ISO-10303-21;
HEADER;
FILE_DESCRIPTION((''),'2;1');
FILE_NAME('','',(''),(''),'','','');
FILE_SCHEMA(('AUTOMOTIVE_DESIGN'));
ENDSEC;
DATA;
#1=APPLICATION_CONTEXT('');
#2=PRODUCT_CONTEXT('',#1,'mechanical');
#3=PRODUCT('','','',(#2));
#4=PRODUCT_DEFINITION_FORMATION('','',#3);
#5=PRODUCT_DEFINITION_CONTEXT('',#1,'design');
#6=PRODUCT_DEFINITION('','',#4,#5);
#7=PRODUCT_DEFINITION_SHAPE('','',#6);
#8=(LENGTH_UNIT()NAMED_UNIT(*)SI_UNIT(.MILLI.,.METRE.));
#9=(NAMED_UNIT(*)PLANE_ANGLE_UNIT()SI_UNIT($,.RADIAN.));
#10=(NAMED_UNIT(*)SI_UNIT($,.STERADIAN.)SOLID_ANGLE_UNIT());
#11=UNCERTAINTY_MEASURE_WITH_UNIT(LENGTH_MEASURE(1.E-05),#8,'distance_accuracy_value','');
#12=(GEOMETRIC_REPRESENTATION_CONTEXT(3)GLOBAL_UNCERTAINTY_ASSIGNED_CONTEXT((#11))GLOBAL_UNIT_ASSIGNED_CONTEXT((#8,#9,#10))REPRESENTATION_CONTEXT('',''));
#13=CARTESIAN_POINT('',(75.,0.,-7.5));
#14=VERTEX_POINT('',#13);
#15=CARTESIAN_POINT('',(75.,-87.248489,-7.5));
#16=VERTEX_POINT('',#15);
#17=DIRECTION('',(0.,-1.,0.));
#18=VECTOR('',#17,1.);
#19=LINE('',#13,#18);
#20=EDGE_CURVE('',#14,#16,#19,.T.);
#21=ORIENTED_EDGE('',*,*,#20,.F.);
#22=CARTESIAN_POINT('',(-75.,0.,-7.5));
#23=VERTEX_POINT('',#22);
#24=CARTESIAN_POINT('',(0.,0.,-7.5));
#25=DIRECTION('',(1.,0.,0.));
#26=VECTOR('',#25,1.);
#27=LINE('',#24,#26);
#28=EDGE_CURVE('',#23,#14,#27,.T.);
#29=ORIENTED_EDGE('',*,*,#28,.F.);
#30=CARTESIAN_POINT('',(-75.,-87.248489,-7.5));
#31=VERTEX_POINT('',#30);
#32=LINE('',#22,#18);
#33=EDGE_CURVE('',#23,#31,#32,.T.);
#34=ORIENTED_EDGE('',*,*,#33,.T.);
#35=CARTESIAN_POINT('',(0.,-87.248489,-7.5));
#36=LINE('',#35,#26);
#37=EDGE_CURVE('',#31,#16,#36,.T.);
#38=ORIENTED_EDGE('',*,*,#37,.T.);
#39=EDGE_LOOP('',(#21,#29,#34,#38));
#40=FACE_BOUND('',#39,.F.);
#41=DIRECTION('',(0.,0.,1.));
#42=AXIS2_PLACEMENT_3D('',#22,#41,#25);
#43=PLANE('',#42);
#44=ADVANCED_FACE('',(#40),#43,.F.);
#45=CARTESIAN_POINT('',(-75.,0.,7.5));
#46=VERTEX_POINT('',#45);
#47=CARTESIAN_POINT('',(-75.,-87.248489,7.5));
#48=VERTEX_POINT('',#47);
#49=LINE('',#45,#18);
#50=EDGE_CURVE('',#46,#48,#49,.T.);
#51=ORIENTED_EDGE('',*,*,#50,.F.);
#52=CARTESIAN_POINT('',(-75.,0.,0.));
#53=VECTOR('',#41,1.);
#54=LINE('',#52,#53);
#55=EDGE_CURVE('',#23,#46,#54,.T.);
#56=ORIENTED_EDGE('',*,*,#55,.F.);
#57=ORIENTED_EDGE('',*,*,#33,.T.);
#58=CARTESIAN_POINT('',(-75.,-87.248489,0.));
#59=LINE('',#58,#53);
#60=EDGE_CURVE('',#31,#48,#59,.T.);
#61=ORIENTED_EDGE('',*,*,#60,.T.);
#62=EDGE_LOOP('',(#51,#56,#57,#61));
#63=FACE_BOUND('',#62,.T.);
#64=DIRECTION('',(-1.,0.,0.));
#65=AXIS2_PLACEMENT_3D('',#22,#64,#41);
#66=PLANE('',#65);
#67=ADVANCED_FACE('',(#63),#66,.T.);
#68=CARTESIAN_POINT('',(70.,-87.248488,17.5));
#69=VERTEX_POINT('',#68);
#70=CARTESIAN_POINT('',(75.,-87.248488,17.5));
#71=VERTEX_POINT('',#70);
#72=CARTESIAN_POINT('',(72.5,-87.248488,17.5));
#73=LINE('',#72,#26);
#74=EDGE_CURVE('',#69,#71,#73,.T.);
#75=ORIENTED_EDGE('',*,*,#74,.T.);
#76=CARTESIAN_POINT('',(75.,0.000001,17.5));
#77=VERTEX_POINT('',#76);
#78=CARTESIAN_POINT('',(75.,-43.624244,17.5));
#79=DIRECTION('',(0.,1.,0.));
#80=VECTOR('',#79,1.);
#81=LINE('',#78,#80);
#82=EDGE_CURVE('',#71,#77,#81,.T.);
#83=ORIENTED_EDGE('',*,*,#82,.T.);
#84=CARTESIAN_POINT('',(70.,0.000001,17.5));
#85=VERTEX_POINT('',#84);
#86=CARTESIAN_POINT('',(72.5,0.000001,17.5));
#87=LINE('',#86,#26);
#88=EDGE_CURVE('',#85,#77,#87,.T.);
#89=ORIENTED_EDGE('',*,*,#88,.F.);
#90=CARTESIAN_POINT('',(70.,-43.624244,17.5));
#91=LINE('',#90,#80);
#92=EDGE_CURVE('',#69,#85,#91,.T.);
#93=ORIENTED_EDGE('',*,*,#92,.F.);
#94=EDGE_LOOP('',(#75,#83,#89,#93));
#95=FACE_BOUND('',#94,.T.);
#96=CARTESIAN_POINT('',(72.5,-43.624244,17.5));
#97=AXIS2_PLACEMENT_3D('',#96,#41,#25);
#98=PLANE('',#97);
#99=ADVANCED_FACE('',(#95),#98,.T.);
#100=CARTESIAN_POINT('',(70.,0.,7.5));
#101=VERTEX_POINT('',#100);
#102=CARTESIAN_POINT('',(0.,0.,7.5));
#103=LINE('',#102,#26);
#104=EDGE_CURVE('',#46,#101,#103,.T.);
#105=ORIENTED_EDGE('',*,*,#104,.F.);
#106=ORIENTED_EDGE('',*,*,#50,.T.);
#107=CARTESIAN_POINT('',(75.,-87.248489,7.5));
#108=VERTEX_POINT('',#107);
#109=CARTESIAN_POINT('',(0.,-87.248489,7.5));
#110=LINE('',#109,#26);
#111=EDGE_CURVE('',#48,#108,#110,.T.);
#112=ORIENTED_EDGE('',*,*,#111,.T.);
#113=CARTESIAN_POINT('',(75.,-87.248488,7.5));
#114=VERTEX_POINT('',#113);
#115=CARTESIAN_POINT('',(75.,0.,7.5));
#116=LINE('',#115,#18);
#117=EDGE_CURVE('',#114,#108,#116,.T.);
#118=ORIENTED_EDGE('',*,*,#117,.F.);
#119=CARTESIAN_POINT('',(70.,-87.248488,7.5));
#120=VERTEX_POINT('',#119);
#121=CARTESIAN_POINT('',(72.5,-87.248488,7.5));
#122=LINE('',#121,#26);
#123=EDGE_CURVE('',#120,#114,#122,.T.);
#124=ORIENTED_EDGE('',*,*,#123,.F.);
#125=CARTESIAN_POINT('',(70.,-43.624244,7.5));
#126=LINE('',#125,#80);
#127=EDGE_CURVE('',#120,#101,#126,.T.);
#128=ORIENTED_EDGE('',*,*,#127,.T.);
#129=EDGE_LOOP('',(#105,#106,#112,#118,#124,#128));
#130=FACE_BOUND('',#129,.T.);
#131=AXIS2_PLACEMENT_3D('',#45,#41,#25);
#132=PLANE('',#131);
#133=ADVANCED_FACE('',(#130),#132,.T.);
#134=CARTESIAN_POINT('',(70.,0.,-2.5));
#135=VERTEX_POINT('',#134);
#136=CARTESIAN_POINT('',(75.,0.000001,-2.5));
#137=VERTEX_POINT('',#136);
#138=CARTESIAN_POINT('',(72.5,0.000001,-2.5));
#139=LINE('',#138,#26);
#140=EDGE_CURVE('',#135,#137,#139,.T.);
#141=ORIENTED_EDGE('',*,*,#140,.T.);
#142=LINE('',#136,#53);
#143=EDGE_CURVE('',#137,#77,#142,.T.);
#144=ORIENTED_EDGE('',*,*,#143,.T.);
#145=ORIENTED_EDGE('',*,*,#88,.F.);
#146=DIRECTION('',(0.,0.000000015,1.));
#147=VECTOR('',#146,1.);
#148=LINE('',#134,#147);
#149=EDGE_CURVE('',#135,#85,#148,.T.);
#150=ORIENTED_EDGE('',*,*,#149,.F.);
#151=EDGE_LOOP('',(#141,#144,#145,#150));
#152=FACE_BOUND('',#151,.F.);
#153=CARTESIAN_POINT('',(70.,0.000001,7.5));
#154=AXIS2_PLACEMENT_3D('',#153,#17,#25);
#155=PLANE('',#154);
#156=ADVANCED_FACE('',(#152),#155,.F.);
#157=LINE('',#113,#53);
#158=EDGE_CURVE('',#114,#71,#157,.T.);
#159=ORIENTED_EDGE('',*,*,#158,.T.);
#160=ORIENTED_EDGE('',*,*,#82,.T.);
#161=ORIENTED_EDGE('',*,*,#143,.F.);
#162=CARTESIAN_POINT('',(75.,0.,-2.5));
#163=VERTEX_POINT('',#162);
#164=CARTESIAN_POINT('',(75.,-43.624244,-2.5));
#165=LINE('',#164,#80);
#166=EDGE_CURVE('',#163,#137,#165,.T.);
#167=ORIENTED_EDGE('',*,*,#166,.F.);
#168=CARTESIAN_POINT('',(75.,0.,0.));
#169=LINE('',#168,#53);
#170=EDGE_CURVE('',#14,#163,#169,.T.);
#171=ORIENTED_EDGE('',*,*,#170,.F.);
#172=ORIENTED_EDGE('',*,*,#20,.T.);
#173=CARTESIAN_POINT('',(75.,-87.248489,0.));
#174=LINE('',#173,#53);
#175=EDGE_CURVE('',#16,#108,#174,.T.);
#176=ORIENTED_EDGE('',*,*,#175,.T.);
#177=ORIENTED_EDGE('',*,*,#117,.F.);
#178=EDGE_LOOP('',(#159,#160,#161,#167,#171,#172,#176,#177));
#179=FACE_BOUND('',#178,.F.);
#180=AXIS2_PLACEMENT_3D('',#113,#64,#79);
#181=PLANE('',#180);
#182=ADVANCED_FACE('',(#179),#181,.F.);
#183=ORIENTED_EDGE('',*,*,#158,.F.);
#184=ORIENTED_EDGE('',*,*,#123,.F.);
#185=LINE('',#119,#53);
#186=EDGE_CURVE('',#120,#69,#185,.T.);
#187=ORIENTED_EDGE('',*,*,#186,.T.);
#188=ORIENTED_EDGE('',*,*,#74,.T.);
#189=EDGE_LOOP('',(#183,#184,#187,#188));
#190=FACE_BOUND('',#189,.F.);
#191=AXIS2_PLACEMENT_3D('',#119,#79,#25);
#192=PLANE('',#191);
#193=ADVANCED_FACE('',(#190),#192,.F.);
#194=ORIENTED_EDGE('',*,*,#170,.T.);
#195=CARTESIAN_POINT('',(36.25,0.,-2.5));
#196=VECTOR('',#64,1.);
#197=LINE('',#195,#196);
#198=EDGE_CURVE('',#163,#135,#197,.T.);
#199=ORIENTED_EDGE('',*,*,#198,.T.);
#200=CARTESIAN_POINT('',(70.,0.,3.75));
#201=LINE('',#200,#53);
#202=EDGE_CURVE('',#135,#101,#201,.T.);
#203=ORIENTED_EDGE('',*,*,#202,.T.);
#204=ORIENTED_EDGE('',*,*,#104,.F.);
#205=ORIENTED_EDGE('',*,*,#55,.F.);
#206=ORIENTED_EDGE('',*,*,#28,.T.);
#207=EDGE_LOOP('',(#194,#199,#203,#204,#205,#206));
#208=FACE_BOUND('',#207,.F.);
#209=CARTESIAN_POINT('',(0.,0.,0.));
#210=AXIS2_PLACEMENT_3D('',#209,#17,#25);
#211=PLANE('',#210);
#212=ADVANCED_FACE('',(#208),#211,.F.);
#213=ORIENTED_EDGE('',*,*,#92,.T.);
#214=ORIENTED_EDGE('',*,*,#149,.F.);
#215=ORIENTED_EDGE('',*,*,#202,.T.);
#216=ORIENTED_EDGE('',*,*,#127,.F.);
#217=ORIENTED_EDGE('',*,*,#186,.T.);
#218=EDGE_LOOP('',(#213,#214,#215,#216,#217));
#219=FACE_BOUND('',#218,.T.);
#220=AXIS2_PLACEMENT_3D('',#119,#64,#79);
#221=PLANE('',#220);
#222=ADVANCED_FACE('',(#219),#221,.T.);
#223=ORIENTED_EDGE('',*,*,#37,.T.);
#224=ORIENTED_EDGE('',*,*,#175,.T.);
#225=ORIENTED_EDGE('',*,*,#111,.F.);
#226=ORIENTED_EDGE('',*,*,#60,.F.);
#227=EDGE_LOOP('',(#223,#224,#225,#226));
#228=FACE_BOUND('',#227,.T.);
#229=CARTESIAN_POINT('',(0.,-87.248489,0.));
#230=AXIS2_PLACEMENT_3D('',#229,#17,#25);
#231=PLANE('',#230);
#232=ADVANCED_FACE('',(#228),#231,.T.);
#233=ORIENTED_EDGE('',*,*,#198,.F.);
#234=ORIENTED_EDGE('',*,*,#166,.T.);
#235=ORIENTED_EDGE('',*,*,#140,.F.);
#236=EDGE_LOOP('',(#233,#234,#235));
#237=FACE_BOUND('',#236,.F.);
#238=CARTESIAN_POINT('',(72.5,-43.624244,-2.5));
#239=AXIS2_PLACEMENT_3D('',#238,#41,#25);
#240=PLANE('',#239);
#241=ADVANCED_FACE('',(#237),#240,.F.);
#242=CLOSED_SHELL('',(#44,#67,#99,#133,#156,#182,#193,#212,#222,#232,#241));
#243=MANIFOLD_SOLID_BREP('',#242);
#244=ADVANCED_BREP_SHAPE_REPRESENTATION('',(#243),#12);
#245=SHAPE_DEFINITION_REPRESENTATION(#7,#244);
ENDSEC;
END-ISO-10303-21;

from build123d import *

# Parameters (mm, degrees)
F0_W          = 150
F0_H          = 15
F1_DEPTH      = 87.248489
F2_W          = 5
F2_H          = 87.248489
F3_DEPTH      = 10
F3_DEPTH_BACK = 10


with BuildPart() as f1:
    # F0 (on Front) → F1 (new body)
    with BuildSketch(Plane.XZ):
        Rectangle(F0_W, F0_H)
    extrude(amount=F1_DEPTH)

    # F2 (on face) → F3 (join, two sides)
    with BuildSketch(Plane.XY.offset(7.5)) as f3_sk:
        with Locations((72.5, -43.624244)):
            Rectangle(F2_W, F2_H)
    extrude(amount=F3_DEPTH)
    extrude(f3_sk.sketch, amount=-F3_DEPTH_BACK)


solid = f1.part
